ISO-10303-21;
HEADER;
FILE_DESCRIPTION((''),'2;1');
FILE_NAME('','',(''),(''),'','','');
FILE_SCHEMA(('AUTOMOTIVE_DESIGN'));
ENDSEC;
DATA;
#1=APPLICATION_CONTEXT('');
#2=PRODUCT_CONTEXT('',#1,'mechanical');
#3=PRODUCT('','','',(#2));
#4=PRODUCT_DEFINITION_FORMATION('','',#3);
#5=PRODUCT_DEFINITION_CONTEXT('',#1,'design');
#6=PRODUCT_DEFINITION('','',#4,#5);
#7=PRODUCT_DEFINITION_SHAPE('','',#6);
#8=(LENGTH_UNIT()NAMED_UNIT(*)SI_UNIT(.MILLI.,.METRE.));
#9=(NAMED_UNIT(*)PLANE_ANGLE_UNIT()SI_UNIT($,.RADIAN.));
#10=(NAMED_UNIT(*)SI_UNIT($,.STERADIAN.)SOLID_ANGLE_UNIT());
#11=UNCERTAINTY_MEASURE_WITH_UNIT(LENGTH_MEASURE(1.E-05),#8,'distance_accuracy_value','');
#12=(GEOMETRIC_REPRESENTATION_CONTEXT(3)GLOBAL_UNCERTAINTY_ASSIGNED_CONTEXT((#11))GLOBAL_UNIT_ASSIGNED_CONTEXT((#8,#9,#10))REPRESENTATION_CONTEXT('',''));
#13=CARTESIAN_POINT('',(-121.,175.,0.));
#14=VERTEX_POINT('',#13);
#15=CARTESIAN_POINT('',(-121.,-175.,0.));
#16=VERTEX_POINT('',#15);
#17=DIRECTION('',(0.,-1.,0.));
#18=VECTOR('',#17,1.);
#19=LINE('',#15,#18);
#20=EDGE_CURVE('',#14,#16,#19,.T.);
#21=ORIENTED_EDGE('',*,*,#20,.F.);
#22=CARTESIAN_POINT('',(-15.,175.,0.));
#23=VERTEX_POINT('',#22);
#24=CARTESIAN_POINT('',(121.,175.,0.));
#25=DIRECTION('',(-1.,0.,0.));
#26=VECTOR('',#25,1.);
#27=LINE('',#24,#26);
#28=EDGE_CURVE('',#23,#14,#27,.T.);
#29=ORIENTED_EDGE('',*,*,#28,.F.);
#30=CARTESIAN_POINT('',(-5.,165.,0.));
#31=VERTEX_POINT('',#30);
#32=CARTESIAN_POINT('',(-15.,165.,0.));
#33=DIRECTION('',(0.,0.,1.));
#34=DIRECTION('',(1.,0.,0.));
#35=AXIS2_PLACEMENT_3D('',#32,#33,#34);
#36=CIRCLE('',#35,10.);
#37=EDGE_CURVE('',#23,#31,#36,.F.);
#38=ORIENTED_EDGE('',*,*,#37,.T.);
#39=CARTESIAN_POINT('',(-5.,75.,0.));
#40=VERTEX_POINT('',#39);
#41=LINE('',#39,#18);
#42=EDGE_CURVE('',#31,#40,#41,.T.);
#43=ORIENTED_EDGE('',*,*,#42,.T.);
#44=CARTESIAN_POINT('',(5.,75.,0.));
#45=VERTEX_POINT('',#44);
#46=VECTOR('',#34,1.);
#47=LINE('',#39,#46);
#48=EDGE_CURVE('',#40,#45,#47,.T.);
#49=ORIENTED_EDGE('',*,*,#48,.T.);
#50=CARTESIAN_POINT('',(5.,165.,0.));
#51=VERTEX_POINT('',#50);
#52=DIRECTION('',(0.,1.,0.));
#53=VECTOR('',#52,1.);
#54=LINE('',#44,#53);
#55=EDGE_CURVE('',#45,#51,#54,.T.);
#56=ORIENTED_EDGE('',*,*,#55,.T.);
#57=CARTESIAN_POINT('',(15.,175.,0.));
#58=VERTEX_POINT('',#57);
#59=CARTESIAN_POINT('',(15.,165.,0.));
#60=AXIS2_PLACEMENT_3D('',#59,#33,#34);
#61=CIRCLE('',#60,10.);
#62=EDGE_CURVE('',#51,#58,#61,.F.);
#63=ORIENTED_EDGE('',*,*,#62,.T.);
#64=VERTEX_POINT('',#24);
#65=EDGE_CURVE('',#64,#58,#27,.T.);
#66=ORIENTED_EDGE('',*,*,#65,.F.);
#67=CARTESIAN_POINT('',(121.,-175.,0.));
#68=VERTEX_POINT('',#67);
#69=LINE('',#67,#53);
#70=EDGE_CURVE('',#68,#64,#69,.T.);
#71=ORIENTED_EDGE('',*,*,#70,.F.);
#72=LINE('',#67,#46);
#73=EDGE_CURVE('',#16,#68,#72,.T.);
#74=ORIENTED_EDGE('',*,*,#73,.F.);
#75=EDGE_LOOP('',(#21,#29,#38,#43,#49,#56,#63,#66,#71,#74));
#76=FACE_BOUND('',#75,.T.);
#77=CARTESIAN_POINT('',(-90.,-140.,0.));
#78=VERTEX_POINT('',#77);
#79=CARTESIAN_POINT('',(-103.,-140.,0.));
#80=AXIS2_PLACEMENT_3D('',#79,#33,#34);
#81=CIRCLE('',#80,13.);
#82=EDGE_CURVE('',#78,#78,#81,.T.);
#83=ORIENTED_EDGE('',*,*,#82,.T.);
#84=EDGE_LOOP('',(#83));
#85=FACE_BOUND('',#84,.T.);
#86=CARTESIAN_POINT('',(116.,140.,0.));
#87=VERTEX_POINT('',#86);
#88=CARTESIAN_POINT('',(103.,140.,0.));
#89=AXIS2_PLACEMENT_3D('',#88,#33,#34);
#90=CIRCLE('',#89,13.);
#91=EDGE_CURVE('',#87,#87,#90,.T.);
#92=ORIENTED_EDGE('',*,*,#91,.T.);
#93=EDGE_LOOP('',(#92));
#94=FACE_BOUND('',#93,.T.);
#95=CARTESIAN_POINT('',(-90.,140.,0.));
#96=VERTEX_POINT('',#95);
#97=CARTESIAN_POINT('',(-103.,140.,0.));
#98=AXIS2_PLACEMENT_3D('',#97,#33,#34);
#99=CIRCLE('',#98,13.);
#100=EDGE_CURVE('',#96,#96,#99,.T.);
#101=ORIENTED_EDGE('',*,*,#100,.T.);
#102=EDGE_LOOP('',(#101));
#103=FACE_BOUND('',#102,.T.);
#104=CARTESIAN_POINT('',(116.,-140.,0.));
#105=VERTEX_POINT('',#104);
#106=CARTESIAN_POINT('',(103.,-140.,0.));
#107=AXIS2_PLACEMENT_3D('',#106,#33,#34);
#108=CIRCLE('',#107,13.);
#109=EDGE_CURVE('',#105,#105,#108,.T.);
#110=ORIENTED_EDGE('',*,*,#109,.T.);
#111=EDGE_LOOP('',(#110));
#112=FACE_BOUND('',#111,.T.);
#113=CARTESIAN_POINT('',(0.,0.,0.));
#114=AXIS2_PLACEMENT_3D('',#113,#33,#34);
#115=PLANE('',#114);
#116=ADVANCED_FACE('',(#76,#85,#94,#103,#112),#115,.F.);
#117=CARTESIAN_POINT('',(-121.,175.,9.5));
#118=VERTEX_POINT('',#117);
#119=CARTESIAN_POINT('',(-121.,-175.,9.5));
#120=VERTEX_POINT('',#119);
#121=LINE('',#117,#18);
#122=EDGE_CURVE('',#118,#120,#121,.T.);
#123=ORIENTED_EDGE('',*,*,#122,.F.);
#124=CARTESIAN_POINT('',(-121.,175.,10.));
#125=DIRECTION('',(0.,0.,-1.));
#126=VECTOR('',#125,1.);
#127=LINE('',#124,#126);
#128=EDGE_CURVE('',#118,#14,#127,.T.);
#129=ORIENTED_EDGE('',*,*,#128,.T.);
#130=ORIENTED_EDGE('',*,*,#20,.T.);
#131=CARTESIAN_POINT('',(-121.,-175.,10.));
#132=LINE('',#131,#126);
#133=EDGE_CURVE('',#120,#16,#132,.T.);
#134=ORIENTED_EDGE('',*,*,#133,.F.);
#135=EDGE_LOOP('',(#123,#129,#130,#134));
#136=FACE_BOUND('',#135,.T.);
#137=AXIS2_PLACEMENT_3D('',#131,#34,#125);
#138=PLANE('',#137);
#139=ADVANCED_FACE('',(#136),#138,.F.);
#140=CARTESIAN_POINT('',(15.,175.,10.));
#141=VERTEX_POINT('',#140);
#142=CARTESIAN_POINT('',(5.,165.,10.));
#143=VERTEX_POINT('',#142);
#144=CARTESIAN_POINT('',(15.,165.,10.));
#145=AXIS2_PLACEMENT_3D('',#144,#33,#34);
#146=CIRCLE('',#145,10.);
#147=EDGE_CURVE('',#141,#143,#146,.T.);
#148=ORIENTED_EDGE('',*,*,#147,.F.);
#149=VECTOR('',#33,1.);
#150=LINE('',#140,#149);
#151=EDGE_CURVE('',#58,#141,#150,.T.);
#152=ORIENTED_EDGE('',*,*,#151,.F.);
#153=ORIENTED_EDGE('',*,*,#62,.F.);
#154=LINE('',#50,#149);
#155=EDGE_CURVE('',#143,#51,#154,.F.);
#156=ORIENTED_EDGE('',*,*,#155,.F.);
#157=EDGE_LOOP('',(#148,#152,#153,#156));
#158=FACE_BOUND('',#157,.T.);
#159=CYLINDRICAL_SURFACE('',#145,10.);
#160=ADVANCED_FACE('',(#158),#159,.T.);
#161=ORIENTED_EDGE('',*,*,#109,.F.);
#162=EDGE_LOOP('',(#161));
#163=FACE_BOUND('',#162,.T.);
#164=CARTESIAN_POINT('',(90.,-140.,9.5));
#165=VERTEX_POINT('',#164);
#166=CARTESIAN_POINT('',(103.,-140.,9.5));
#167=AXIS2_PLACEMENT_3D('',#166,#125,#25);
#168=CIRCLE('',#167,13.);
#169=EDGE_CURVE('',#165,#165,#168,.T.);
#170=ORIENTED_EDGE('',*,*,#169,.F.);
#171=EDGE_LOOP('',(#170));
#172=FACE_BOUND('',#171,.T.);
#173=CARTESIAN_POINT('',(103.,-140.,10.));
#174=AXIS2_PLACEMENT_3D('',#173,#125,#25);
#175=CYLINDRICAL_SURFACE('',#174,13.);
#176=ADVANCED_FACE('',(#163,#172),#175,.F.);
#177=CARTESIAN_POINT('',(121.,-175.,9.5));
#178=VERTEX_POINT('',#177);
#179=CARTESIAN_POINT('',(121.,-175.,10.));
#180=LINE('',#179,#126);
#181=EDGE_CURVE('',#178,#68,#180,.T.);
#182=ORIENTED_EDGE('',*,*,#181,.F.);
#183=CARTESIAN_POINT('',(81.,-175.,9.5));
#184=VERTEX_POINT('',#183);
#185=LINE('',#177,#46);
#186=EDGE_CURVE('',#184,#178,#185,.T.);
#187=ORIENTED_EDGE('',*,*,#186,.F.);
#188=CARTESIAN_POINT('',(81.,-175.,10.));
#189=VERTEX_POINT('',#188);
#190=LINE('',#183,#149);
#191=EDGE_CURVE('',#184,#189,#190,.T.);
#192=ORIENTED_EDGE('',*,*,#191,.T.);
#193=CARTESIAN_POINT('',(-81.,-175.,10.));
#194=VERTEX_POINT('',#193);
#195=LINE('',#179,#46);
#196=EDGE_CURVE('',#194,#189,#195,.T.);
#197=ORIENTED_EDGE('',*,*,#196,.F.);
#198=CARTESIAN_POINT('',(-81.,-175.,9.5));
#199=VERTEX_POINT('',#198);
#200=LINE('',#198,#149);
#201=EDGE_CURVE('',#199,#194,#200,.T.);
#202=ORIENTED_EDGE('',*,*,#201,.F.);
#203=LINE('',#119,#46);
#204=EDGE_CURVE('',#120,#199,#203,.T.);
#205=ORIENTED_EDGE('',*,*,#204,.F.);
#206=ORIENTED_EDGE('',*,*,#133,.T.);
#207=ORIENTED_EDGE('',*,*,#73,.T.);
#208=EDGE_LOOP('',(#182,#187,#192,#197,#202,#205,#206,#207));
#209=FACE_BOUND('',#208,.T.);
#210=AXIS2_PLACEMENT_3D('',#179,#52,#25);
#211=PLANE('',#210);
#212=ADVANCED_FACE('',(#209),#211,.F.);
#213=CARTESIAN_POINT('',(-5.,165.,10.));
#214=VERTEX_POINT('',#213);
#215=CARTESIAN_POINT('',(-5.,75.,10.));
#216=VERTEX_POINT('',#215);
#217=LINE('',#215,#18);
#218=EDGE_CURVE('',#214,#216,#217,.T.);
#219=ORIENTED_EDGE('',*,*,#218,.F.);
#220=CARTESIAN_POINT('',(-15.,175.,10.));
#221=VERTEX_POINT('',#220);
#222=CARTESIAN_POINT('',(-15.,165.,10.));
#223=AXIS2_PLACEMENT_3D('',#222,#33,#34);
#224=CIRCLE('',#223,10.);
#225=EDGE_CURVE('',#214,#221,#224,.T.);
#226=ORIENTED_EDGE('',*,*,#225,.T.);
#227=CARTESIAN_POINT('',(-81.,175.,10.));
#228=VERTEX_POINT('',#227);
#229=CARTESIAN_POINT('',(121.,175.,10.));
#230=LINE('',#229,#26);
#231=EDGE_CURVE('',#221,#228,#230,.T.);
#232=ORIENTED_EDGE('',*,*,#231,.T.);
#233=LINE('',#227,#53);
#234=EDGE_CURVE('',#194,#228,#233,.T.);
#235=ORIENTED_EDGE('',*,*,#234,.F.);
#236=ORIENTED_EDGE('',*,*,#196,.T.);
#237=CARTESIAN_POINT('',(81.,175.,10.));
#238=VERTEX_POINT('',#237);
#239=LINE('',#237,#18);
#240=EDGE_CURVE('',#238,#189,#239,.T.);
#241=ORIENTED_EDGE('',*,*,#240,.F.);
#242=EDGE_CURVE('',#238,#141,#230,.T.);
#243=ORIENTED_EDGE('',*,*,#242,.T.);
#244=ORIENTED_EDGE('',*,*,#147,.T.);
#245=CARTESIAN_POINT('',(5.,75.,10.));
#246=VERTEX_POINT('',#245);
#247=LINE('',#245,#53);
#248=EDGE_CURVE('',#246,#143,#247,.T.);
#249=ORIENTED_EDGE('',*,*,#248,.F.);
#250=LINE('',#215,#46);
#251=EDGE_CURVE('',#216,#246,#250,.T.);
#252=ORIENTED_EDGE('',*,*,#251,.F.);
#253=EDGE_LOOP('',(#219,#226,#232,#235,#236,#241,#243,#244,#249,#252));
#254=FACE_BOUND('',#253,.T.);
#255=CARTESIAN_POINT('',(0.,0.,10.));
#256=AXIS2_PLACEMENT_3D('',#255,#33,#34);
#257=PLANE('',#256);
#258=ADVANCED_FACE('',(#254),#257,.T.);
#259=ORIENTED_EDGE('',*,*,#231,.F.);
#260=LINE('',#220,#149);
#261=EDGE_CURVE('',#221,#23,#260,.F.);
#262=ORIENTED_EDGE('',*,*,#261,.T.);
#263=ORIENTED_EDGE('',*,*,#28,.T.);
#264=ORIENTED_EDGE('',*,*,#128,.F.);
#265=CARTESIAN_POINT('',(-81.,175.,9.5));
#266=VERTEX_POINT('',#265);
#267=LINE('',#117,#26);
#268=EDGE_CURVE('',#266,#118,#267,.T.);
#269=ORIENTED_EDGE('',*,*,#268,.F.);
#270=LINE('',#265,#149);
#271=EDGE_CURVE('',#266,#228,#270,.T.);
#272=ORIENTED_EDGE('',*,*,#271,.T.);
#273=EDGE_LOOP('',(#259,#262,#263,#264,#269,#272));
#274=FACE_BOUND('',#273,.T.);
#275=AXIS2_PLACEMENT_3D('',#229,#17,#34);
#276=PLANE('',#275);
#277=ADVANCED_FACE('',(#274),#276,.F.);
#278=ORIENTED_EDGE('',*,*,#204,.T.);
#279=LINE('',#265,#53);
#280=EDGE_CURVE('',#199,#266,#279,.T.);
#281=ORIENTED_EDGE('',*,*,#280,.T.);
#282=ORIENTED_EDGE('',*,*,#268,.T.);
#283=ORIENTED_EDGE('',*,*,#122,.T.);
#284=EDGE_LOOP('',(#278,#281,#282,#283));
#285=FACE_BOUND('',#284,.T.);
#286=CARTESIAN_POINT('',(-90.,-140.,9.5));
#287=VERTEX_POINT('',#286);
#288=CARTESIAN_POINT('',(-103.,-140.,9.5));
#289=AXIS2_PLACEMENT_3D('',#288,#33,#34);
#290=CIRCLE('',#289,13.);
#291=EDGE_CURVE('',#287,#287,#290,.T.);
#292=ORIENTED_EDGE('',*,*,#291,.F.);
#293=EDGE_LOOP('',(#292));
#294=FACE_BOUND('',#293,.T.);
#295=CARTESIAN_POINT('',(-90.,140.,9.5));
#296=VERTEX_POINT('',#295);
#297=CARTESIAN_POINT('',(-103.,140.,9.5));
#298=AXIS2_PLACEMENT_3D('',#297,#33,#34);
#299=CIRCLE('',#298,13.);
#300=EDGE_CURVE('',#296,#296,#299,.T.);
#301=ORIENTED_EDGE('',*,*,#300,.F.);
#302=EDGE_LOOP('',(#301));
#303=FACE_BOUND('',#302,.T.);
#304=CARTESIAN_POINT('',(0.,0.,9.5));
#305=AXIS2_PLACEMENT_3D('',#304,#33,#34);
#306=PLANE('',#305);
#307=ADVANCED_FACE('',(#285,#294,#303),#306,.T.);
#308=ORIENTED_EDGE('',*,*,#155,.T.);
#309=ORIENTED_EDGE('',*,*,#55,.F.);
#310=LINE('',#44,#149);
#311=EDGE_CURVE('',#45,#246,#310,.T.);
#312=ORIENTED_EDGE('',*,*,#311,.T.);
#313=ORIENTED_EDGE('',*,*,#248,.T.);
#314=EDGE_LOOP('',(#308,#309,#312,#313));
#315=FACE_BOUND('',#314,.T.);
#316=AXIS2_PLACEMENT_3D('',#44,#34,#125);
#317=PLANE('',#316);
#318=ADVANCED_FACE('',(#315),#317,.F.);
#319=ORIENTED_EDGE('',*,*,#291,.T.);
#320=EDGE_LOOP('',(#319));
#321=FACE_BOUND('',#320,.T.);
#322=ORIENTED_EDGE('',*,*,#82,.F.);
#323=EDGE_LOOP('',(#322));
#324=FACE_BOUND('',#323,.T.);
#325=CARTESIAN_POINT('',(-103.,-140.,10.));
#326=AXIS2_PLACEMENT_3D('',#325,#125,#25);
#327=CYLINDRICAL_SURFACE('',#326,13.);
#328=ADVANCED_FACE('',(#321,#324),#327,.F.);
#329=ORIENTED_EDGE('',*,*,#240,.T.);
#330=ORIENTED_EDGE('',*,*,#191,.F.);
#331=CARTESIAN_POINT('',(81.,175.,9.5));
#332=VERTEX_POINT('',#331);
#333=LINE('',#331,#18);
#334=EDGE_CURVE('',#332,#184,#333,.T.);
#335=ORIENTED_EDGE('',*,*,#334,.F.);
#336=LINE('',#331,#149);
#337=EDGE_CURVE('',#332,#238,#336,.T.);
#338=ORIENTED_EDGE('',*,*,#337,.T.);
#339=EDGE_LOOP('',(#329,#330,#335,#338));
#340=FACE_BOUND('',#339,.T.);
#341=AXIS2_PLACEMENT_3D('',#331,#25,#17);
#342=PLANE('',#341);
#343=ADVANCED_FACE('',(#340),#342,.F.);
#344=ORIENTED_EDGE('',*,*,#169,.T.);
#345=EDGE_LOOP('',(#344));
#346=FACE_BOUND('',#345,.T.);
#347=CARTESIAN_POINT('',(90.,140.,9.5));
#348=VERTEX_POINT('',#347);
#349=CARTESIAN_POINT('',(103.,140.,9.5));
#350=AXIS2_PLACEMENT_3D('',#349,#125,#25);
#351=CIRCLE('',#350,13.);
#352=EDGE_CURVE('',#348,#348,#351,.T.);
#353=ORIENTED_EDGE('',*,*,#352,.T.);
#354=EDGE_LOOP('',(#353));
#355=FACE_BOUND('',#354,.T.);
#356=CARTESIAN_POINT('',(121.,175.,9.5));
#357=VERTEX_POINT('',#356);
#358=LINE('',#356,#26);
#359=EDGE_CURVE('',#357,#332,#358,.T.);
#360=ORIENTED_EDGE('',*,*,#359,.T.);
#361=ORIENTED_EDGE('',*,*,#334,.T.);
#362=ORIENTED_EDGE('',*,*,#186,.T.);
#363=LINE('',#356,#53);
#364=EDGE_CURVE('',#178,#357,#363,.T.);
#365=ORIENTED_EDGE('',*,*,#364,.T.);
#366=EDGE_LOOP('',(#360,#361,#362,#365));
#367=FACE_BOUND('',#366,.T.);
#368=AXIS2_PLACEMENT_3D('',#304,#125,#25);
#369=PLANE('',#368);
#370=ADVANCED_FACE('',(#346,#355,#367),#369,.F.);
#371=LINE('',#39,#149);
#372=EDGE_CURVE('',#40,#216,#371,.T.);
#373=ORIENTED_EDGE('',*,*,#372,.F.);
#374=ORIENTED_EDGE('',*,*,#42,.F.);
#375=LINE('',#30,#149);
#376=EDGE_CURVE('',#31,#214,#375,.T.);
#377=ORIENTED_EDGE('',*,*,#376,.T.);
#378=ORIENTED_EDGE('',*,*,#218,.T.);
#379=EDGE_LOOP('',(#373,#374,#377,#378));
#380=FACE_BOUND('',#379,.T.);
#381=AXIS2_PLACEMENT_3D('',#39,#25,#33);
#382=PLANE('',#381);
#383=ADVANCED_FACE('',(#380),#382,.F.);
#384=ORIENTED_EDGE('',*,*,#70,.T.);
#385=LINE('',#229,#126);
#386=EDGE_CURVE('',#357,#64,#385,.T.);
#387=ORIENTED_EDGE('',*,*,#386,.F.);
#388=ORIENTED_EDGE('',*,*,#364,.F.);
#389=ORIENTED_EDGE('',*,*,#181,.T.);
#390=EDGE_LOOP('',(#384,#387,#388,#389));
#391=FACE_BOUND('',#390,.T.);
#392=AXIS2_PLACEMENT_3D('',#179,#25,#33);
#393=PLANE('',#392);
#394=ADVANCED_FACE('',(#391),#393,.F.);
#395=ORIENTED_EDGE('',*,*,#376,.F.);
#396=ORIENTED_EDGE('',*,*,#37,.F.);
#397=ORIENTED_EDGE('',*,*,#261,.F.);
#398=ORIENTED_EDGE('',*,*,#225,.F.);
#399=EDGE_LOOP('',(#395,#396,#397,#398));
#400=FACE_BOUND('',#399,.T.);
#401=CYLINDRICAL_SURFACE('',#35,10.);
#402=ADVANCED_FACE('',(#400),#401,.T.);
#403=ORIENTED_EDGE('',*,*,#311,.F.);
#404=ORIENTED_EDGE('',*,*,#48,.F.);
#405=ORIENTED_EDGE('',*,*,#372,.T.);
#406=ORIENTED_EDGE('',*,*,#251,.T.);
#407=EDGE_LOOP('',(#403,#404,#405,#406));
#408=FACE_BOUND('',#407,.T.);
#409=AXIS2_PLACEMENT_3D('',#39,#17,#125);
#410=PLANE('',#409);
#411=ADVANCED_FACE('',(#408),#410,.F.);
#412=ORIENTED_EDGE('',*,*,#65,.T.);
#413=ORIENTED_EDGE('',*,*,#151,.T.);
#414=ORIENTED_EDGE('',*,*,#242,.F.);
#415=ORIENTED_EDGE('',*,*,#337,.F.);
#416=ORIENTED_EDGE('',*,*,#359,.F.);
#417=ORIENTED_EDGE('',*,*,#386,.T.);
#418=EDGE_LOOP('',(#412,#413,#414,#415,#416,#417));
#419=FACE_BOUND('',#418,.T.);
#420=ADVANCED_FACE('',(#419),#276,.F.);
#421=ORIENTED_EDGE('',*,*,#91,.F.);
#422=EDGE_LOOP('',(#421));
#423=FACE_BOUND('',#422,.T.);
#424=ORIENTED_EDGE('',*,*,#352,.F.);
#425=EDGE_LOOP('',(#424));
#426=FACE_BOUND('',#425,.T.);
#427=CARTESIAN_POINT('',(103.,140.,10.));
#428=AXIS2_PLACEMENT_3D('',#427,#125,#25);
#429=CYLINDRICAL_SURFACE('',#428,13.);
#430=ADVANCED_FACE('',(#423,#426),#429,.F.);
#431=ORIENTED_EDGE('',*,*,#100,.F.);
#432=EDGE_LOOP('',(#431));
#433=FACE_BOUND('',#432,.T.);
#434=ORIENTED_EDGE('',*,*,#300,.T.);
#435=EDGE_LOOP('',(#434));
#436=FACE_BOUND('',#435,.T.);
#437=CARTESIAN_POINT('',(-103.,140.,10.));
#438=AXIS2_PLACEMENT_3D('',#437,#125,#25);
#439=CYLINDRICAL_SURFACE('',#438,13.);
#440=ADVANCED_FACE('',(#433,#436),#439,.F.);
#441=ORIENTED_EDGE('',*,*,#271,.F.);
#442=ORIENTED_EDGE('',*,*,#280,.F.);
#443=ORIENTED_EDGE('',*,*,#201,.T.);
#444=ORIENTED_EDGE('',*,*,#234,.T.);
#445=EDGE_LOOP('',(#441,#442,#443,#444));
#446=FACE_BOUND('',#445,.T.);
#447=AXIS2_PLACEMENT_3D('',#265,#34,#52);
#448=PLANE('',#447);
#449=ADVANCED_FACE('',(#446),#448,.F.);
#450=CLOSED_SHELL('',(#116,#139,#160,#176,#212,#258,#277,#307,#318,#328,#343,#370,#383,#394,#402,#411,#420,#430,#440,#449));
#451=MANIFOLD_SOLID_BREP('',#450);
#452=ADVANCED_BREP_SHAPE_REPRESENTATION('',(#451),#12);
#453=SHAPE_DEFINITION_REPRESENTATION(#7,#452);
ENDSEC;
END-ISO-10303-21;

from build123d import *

# Parameters (mm, degrees)
SKETCH1_W           = 242
SKETCH1_H           = 350
SKETCH1_R           = 13
BOSS_EXTRUDE1_DEPTH = 10
SKETCH2_W           = 40
SKETCH2_H           = 350
CUT_EXTRUDE1_DEPTH  = 0.5
SKETCH3_W           = 10
SKETCH3_H           = 100
CUT_EXTRUDE2_DEPTH  = 11
FILLET1_R           = 10


with BuildPart() as part:
    # Sketch1 → Boss-Extrude1 (new body)
    with BuildSketch(Plane.XY):
        Rectangle(SKETCH1_W, SKETCH1_H)
        with Locations((-103, 140)):
            Circle(SKETCH1_R, mode=Mode.SUBTRACT)
        with Locations((-103, -140)):
            Circle(SKETCH1_R, mode=Mode.SUBTRACT)
        with Locations((103, 140)):
            Circle(SKETCH1_R, mode=Mode.SUBTRACT)
        with Locations((103, -140)):
            Circle(SKETCH1_R, mode=Mode.SUBTRACT)
    extrude(amount=BOSS_EXTRUDE1_DEPTH)

    # Sketch2 → Cut-Extrude1 (cut)
    with BuildSketch(Plane.XY.offset(10)):
        with Locations((-101, 0)):
            Rectangle(SKETCH2_W, SKETCH2_H)
        with Locations((101, 0)):
            Rectangle(SKETCH2_W, SKETCH2_H)
    extrude(amount=-CUT_EXTRUDE1_DEPTH, mode=Mode.SUBTRACT)

    # Sketch3 → Cut-Extrude2 (cut, through all)
    with BuildSketch(Plane.XY.offset(10)):
        with Locations((0, 125)):
            Rectangle(SKETCH3_W, SKETCH3_H)
    extrude(amount=-CUT_EXTRUDE2_DEPTH, mode=Mode.SUBTRACT)

    # Fillet1
    fillet1_edges = [part.edges().sort_by_distance(p)[0] for p in [
        (5, 175, 5),
        (-5, 175, 5),
    ]]
    fillet(fillet1_edges, radius=FILLET1_R)


solid = part.part
